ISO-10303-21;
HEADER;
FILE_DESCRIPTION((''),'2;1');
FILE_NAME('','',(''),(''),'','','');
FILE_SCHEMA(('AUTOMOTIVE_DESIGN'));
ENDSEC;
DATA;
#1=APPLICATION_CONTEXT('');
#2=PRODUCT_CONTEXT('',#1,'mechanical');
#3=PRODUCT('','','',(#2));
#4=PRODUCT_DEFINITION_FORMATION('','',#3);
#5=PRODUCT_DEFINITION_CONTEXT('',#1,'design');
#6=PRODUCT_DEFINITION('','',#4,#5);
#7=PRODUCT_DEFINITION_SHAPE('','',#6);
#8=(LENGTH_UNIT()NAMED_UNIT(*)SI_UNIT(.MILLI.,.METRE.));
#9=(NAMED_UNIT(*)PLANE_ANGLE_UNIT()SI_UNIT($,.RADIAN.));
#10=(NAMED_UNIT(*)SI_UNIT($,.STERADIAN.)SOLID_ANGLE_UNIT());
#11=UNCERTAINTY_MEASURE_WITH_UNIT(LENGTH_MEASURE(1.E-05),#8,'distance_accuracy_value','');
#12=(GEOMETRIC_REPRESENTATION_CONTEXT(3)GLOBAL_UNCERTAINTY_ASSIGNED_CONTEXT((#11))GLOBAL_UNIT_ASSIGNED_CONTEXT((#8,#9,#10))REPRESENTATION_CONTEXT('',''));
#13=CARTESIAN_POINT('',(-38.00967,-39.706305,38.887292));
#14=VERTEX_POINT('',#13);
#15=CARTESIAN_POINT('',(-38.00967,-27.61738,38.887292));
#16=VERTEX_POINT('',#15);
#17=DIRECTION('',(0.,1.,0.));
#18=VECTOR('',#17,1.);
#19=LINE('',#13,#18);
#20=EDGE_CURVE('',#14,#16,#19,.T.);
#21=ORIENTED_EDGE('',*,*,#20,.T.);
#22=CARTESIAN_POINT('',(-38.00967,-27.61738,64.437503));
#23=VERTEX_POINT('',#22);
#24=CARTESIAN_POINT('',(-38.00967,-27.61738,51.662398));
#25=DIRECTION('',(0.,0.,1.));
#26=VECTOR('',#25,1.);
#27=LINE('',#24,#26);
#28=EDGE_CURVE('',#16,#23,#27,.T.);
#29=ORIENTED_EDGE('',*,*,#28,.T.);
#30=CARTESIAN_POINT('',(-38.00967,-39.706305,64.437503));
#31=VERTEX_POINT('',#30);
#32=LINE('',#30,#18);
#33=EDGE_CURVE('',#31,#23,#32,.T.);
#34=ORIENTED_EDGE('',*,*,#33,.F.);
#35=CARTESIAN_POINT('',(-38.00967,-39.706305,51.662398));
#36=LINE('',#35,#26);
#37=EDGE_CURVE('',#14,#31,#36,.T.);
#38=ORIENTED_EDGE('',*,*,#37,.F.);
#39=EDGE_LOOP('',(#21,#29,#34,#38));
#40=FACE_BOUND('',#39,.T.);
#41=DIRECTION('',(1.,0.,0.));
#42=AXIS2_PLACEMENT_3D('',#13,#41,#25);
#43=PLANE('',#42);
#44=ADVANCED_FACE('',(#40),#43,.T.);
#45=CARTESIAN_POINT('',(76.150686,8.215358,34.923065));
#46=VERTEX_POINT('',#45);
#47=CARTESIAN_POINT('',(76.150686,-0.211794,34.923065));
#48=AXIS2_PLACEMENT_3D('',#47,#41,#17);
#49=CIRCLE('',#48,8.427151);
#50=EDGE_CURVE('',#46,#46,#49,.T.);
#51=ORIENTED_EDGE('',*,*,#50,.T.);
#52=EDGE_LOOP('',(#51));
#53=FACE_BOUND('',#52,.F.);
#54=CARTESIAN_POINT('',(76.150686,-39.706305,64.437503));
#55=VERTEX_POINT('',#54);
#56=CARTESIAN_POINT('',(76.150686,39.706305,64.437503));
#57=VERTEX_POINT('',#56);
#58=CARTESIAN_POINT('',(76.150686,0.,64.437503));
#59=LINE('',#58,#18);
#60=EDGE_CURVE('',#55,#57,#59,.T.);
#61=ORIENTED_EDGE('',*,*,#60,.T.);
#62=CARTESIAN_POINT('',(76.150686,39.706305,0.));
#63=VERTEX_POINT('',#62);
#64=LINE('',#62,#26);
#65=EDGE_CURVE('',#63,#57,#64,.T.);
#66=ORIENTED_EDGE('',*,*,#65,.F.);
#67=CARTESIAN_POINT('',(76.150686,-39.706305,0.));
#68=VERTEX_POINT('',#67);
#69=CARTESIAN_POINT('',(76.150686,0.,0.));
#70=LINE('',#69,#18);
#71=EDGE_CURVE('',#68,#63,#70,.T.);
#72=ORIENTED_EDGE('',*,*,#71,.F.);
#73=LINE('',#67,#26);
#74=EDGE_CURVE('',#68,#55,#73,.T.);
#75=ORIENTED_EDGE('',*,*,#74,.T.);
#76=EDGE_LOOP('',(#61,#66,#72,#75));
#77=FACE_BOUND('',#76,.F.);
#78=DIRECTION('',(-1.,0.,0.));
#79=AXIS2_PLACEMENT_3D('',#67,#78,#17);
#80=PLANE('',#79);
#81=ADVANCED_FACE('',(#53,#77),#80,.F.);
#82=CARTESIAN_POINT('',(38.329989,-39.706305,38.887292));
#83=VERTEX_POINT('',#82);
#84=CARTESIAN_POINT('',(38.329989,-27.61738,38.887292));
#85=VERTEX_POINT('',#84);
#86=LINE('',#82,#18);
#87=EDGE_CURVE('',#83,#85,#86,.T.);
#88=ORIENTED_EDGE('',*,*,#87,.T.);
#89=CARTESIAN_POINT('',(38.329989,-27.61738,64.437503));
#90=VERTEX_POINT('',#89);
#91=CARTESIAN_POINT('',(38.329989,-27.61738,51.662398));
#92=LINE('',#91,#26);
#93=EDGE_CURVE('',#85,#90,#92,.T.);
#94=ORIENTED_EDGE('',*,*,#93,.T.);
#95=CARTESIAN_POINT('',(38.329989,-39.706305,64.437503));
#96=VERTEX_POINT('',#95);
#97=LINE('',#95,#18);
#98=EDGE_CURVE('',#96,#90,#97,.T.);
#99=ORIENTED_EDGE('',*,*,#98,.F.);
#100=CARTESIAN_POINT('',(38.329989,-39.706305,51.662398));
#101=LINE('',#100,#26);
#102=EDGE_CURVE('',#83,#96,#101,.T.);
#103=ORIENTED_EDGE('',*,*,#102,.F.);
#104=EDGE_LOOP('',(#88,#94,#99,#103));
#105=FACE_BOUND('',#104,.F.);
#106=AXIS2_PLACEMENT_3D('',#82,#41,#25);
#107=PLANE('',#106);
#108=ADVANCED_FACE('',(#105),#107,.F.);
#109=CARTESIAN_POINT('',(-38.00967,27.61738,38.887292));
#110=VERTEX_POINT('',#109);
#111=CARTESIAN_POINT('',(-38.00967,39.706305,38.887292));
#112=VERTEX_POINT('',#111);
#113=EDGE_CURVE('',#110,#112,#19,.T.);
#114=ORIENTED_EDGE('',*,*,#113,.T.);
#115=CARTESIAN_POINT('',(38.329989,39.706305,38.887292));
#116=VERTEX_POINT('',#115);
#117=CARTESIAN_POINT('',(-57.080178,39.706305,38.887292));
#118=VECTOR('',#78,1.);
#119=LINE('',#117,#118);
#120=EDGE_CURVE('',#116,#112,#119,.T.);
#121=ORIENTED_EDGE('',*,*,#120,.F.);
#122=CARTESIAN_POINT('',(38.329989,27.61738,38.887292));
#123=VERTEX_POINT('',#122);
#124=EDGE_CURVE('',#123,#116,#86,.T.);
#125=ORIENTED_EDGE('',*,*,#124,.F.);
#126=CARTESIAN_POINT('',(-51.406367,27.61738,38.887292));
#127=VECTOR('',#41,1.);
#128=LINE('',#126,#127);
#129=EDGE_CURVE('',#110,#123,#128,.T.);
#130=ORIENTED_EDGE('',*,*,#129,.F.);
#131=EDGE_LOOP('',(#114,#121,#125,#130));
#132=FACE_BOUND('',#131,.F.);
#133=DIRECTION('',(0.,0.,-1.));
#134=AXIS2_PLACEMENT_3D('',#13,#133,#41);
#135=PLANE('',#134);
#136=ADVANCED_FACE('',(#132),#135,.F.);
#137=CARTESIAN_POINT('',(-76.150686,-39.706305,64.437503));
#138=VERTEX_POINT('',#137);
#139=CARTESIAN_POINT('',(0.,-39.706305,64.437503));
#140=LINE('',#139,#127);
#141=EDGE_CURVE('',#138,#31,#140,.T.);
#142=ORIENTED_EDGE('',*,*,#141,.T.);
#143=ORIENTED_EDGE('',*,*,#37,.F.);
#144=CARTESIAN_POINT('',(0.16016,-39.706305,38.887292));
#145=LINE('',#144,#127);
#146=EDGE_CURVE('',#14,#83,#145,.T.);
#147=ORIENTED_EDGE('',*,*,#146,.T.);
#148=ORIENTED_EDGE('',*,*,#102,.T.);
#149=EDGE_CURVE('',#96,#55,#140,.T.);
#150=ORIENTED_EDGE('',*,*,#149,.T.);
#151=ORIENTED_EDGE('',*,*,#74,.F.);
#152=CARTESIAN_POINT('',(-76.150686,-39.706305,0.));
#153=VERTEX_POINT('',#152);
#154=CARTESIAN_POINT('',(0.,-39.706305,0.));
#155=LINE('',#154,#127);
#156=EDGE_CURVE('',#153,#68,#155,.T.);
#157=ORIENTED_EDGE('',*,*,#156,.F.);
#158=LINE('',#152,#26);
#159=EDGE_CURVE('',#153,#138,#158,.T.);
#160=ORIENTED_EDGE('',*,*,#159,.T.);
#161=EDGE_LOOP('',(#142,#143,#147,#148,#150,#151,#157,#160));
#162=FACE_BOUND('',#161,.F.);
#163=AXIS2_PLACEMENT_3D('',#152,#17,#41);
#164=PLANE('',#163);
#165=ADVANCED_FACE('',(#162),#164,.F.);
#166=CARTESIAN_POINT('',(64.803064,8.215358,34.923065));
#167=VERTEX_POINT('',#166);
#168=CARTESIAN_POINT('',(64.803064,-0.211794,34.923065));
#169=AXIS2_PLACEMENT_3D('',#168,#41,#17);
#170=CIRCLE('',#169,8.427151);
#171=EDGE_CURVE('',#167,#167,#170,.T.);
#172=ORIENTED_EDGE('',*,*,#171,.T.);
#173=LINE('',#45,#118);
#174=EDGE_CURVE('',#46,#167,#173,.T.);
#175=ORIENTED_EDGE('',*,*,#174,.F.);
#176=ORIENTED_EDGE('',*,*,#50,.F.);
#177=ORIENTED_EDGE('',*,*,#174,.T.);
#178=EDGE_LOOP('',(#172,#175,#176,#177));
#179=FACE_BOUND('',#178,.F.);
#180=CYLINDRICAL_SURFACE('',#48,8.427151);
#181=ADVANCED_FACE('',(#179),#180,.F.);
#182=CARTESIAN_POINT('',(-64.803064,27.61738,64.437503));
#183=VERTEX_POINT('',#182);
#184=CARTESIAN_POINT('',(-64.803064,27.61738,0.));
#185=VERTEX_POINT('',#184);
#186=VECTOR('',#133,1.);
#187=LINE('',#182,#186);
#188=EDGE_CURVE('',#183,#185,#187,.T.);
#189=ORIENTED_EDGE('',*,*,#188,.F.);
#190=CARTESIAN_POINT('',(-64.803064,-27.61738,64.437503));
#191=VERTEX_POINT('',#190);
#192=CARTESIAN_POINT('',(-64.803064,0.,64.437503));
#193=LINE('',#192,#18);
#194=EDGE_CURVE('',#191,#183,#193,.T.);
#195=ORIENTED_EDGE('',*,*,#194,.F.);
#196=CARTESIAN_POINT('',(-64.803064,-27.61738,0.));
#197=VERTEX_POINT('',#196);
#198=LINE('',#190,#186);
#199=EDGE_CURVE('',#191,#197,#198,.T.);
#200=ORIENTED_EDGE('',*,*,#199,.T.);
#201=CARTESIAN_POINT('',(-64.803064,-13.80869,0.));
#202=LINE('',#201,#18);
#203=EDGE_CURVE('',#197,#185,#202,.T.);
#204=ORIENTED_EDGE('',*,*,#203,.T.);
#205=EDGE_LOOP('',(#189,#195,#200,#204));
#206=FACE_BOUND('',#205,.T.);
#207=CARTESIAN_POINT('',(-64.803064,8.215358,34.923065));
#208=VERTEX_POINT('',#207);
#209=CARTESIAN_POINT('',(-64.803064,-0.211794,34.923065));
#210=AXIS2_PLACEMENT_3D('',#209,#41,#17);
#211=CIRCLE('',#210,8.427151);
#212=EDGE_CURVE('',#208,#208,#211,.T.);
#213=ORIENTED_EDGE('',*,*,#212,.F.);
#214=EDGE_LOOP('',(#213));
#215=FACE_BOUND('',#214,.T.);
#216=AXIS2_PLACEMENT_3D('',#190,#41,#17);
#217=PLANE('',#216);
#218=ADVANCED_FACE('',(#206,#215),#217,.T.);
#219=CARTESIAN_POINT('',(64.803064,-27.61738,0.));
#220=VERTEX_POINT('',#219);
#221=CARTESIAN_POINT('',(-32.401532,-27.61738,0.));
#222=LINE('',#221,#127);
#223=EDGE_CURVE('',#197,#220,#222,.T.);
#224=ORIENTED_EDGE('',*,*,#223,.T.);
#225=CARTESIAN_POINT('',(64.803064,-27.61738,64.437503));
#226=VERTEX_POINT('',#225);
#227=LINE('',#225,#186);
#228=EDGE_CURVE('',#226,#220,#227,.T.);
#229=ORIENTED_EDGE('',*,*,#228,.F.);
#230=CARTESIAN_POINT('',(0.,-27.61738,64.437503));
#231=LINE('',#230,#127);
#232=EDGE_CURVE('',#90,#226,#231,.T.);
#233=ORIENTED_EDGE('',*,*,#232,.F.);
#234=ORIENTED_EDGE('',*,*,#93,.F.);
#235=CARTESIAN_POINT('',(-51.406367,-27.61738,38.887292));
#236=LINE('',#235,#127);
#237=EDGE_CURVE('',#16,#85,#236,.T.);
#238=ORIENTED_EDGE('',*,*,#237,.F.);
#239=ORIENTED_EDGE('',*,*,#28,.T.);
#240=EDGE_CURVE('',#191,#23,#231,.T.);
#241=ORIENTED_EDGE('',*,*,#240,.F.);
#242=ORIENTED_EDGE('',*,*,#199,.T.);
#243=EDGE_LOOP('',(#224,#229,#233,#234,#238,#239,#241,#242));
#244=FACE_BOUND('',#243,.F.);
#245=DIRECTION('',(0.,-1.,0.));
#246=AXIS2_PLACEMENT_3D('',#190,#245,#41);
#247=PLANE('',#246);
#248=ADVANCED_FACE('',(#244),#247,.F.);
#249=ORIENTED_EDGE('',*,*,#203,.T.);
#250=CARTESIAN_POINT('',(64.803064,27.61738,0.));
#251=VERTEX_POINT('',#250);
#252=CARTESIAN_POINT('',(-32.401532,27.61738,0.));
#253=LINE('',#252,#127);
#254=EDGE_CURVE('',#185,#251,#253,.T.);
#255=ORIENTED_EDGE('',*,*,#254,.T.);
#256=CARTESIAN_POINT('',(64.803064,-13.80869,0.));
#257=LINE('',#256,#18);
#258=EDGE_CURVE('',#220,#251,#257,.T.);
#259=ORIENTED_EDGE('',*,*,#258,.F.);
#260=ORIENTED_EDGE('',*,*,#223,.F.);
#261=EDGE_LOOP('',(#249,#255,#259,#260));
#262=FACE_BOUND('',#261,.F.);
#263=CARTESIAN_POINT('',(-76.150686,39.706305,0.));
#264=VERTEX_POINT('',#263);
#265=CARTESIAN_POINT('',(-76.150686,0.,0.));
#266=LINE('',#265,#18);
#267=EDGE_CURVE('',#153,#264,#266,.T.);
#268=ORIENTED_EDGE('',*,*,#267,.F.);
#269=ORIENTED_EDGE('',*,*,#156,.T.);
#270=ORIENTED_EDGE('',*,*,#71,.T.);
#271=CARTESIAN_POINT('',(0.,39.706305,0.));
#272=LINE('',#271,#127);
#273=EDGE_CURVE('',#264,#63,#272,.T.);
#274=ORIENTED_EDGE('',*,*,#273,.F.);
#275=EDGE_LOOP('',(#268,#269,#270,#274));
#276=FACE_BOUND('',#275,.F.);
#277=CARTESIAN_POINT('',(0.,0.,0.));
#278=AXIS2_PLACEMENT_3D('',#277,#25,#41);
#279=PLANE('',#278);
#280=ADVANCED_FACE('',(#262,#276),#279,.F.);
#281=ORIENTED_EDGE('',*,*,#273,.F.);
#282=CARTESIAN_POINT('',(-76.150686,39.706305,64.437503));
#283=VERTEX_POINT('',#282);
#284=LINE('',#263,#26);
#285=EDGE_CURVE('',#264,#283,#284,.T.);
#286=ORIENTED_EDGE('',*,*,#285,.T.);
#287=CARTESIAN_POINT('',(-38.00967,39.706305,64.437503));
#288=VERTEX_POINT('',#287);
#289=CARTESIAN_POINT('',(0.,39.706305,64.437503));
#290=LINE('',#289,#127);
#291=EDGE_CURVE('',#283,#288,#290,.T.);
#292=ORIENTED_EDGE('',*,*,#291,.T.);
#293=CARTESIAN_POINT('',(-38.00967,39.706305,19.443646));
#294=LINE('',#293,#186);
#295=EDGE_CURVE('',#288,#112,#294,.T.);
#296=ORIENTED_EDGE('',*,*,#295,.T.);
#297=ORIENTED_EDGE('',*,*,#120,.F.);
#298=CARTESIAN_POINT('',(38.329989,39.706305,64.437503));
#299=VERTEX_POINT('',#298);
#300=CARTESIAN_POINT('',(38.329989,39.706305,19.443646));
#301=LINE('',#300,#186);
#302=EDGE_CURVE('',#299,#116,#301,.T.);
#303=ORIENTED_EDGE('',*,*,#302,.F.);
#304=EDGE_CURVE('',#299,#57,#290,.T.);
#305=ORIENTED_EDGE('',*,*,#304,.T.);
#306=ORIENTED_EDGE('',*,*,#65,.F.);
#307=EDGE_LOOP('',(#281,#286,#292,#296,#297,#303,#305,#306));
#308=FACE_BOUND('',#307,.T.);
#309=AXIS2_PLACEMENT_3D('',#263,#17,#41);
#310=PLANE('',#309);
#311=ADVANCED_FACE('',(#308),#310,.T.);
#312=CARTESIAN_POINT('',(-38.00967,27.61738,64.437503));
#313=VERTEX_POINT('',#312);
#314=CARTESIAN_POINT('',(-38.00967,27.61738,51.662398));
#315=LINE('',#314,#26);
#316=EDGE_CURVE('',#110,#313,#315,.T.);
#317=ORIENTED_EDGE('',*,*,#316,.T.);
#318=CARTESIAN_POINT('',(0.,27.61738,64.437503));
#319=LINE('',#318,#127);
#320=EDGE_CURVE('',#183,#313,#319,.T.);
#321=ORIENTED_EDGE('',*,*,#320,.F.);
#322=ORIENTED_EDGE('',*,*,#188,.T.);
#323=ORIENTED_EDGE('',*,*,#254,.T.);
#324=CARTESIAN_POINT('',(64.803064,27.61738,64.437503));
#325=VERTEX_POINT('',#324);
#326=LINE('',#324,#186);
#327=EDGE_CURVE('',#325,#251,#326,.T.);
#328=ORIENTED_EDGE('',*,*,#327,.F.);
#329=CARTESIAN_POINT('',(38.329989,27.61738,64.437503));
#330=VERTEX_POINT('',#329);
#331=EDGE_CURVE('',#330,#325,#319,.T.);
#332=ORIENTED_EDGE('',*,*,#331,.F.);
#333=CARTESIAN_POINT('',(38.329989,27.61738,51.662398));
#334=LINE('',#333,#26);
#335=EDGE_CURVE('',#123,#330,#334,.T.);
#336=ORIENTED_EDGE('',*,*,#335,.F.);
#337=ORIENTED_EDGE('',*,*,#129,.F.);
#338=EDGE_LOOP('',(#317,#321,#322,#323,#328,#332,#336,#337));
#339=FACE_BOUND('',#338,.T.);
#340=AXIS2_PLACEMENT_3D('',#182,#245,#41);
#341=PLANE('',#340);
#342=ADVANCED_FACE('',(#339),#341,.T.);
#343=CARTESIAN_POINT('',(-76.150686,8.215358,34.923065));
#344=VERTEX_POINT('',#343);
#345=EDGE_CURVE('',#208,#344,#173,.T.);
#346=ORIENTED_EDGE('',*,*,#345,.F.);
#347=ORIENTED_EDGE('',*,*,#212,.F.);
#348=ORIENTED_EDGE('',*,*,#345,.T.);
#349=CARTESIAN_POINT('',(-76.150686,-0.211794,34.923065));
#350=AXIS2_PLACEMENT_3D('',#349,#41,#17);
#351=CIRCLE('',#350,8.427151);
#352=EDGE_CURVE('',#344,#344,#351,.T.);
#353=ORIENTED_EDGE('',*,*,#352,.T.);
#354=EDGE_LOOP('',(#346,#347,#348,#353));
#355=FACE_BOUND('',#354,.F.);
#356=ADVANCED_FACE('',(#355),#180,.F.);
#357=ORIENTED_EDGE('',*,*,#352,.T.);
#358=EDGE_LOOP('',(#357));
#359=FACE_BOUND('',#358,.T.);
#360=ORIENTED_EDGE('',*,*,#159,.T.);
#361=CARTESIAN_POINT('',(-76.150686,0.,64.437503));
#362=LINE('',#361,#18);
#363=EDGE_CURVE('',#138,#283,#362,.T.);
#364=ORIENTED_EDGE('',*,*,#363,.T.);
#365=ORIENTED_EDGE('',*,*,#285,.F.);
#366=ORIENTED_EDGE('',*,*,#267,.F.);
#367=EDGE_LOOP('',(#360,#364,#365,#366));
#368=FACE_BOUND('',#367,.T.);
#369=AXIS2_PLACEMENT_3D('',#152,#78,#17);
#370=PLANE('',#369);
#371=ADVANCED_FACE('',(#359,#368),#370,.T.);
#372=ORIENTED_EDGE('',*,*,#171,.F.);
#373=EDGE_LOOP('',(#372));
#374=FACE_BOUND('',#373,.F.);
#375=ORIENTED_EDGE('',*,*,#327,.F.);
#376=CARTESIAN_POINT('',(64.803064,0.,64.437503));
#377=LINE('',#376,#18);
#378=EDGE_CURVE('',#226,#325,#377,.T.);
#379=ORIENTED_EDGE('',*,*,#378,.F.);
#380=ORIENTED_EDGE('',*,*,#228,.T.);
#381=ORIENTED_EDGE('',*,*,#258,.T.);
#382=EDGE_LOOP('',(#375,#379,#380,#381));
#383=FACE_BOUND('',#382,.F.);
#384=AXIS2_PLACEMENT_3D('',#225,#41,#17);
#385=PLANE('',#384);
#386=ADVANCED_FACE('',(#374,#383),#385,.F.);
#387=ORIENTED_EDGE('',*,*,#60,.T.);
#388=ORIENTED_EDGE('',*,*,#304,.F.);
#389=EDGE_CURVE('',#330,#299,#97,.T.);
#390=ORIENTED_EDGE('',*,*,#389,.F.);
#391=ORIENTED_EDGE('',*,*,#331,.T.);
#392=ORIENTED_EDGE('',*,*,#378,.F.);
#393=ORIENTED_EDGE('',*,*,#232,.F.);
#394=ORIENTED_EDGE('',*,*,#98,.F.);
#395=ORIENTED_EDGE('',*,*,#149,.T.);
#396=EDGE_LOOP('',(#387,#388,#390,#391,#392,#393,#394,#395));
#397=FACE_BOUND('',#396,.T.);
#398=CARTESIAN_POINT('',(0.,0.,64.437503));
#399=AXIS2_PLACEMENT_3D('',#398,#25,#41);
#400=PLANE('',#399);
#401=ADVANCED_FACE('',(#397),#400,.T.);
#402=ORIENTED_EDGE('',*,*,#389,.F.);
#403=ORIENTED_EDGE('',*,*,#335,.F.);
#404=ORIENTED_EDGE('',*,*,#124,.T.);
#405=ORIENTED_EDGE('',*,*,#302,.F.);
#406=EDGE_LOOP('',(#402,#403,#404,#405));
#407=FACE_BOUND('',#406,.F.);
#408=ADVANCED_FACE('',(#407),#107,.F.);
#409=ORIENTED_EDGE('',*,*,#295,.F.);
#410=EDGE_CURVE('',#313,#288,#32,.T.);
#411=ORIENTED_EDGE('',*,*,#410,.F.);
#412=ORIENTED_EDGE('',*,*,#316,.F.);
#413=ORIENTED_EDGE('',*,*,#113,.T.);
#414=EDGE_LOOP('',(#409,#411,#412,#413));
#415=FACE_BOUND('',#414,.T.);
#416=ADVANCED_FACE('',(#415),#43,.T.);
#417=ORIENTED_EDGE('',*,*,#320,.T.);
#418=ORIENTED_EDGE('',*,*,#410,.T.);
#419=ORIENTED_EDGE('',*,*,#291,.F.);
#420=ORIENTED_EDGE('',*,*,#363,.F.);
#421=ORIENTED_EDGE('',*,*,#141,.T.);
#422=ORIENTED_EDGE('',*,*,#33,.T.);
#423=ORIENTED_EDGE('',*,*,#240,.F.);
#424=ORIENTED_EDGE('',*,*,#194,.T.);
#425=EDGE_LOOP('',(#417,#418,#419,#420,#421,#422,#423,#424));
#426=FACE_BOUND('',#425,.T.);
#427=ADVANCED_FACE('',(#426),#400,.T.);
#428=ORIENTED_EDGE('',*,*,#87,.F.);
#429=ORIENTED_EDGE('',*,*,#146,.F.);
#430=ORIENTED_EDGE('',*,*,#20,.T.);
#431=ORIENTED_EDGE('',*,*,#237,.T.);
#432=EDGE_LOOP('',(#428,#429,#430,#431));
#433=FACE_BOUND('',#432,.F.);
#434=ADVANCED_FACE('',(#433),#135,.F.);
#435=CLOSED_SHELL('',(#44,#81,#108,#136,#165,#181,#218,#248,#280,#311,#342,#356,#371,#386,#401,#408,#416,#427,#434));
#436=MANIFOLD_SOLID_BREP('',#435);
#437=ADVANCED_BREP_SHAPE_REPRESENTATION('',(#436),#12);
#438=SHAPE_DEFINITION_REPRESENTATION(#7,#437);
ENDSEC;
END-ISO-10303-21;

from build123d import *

# Parameters (mm, degrees)
F0_W     = 152.3013710976
F0_H     = 79.4126093388
F1_DEPTH = 64.4375029951
F2_W     = 129.606127739
F2_H     = 55.234760046
F3_DEPTH = 64.4385029951
F7_W     = 76.3396583498
F7_H     = 25.5502108485
F4_DEPTH = 79.4136093388
F5_R     = 8.4271514965
F6_DEPTH = 152.3023710976


with BuildPart() as f1:
    # F0 (on Top) → F1 (new body)
    with BuildSketch(Plane.XY):
        Rectangle(F0_W, F0_H)
    extrude(amount=F1_DEPTH)

    # F2 (on face) → F3 (cut, through all)
    with BuildSketch(Plane.XY.offset(64.4375029951)):
        Rectangle(F2_W, F2_H)
    extrude(amount=-F3_DEPTH, mode=Mode.SUBTRACT)

    # F7 (on face) → F4 (cut, through all)
    with BuildSketch(Plane.XZ.offset(39.7063046694)):
        with Locations((0.1601595432, 51.6623975709)):
            Rectangle(F7_W, F7_H)
    extrude(amount=-F4_DEPTH, mode=Mode.SUBTRACT)

    # F5 (on face) → F6 (cut, through all)
    with BuildSketch(Plane.YZ.offset(76.1506855488)):
        with Locations((-0.2117939293, 34.9230654538)):
            Circle(F5_R)
    extrude(amount=-F6_DEPTH, mode=Mode.SUBTRACT)


solid = f1.part
